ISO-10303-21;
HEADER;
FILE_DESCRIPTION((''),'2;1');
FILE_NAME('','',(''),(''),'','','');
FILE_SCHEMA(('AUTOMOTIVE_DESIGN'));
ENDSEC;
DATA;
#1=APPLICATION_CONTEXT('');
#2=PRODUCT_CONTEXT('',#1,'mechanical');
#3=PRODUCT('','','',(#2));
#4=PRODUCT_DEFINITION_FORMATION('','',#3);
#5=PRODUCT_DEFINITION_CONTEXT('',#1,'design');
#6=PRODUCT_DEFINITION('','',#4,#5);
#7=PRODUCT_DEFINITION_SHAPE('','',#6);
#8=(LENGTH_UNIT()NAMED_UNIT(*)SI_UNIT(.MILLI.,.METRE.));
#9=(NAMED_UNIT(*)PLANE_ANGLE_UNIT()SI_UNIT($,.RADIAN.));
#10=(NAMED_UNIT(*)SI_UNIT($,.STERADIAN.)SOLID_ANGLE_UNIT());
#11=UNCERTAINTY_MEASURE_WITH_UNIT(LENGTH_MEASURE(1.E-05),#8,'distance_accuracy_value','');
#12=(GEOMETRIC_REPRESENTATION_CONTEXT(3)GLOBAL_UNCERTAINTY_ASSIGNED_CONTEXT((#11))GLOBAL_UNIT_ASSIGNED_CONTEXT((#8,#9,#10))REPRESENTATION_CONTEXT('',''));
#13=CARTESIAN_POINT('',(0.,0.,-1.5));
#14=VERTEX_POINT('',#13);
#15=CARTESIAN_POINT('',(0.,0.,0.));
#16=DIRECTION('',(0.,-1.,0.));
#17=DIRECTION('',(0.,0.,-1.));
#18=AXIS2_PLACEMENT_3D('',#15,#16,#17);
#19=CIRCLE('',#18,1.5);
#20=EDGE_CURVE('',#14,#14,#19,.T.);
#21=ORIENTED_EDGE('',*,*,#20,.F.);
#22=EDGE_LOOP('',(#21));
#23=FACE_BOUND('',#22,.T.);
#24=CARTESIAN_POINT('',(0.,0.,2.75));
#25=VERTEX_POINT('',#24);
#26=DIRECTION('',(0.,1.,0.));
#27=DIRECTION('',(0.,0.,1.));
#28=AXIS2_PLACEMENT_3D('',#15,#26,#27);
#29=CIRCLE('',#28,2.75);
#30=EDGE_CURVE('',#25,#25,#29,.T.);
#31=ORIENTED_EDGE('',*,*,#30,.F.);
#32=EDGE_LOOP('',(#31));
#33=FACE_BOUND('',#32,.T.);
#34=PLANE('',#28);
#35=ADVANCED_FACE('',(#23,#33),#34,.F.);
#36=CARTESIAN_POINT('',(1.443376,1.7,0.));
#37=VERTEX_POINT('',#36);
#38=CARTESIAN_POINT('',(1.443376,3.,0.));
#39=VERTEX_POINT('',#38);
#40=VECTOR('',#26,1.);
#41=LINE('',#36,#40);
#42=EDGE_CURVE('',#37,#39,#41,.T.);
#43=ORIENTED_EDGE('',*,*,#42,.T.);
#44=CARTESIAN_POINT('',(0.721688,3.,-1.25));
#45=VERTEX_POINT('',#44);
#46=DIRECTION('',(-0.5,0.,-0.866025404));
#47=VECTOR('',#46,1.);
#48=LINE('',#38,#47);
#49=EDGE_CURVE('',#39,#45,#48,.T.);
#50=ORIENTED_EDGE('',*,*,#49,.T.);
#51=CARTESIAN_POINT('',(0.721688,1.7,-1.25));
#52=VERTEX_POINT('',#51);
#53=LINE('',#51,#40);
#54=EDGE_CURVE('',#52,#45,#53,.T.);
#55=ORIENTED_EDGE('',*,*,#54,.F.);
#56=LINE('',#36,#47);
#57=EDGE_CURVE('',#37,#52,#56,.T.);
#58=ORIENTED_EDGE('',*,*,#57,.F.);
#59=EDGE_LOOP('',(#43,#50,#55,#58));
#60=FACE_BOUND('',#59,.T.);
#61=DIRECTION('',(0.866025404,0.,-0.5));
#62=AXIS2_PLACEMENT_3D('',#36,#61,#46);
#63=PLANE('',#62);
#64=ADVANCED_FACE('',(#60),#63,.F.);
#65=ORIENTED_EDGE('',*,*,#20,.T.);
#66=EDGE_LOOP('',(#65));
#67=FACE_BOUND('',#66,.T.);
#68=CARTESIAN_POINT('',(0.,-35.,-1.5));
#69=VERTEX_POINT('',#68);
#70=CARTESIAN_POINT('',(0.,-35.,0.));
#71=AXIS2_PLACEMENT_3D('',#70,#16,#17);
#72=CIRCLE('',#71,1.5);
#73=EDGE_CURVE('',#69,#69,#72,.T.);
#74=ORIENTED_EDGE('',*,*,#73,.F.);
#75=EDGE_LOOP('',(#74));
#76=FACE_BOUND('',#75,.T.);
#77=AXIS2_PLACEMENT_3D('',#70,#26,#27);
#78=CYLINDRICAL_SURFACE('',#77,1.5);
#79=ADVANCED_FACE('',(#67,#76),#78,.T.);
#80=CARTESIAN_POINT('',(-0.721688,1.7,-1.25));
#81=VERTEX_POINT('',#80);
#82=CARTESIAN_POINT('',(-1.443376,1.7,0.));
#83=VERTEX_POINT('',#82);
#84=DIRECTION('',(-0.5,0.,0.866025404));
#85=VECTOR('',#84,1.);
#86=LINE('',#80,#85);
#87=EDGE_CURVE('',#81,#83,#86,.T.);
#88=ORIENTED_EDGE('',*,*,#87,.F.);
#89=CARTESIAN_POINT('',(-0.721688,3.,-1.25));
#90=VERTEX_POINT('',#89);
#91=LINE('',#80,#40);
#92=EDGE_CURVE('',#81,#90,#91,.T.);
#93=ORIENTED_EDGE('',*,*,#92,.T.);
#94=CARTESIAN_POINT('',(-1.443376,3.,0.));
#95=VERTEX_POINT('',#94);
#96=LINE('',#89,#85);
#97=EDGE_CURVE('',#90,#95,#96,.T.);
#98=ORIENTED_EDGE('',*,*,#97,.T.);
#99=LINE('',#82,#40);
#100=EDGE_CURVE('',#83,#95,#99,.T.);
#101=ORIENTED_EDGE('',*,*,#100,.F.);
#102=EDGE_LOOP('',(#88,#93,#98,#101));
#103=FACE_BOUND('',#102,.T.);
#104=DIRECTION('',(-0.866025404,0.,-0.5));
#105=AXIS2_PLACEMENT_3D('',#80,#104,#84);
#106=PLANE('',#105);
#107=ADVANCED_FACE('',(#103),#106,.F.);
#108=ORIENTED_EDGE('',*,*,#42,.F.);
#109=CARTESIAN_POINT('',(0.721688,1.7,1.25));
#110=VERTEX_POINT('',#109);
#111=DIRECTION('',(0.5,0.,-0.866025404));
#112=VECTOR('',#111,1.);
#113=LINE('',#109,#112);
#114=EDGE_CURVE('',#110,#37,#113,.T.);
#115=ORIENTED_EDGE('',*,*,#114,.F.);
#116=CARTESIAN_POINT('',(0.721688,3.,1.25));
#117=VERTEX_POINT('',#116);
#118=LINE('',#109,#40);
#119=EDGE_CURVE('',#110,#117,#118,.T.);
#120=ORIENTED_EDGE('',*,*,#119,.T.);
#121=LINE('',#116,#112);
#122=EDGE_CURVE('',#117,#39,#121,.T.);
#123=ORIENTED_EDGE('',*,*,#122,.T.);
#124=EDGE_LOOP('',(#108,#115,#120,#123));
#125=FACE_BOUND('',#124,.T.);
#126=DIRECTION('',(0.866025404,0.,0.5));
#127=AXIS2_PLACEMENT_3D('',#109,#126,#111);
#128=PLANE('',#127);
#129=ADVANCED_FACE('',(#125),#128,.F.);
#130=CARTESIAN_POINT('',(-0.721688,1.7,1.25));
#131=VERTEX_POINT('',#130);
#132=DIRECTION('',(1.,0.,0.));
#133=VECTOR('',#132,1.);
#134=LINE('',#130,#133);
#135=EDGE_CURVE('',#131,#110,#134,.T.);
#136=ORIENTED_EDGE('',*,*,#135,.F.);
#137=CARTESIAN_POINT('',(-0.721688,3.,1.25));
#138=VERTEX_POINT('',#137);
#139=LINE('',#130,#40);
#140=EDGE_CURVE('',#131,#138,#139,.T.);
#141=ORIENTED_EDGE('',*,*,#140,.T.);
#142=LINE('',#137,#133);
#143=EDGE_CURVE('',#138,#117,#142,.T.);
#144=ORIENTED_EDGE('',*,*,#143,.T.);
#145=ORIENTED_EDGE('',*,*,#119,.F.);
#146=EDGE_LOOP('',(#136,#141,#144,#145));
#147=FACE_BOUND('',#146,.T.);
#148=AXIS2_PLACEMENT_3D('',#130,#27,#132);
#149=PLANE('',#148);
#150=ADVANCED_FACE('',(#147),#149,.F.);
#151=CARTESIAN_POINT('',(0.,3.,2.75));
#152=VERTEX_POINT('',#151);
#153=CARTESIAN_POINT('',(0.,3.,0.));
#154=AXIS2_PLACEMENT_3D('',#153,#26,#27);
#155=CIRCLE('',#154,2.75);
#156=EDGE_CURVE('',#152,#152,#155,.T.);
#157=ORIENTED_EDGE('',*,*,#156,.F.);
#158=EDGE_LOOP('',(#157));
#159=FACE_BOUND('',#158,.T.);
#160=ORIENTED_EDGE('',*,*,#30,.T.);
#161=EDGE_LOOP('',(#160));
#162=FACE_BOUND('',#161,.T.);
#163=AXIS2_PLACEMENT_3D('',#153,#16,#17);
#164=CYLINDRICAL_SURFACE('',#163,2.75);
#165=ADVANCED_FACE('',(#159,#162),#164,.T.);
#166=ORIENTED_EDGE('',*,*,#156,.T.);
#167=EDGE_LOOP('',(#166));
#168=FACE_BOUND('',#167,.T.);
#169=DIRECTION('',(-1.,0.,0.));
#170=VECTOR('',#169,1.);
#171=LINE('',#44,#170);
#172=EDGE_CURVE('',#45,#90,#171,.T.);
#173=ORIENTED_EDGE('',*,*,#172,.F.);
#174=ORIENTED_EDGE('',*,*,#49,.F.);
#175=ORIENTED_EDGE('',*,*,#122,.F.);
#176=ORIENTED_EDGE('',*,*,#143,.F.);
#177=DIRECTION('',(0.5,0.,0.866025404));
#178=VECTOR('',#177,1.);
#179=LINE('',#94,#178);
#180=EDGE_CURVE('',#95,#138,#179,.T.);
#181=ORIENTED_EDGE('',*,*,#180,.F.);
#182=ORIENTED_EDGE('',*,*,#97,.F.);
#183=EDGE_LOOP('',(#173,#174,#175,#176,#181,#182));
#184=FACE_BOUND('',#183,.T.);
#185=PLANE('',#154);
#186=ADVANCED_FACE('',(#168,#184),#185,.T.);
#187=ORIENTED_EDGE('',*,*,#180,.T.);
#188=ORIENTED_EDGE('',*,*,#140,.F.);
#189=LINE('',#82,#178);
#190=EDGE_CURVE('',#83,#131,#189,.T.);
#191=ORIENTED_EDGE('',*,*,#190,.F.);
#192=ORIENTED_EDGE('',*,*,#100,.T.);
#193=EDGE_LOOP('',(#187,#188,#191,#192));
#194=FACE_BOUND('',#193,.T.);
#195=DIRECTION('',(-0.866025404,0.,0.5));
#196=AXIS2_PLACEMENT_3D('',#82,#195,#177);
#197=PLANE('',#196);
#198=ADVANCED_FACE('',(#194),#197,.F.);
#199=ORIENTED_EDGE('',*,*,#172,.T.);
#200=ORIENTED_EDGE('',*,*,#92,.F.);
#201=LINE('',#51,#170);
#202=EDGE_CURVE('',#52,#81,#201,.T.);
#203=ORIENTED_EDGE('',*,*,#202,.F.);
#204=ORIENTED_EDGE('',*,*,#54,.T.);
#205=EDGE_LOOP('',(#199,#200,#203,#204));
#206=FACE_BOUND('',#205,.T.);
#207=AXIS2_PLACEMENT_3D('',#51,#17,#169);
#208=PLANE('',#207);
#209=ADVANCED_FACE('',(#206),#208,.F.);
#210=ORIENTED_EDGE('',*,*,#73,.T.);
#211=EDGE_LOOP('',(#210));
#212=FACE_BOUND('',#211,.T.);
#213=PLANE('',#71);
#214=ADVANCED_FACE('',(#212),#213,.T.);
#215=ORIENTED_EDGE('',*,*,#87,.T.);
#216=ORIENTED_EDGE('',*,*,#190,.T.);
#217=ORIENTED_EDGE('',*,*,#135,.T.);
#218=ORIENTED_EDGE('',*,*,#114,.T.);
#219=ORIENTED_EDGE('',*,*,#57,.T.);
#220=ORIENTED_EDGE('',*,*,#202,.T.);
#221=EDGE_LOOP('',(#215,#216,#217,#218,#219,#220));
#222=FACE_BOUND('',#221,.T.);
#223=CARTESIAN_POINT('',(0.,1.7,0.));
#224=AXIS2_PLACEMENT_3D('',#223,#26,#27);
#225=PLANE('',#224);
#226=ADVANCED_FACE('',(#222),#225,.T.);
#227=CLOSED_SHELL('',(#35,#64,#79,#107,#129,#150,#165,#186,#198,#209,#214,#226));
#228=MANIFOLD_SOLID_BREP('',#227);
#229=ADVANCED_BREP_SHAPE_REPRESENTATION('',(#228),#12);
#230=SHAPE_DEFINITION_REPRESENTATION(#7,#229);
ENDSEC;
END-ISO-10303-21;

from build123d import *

# Parameters (mm, degrees)
SKETCH_1_R            = 2.75
EXTRUDE_248_DEPTH     = 3
CUT_EXTRUDE_378_DEPTH = 1.3
SKETCH_3_R            = 1.5
EXTRUDE_479_DEPTH     = 35


with BuildPart() as part:
    # 草图1 → Extrude 248 (new body)
    with BuildSketch(Plane(origin=(0, 0, 0), x_dir=(1, 0, 0), z_dir=(0, 1, 0))):
        Circle(SKETCH_1_R)
    extrude(amount=EXTRUDE_248_DEPTH)

    # 草图2 → Cut-Extrude 378 (cut)
    with BuildSketch(Plane(origin=(0, 3, 0), x_dir=(1, 0, 0), z_dir=(0, 1, 0))):
        Polygon((1.443375673, 0), (0.721687836, 1.25), (-0.721687836, 1.25), (-1.443375673, 0), (-0.721687836, -1.25), (0.721687836, -1.25), align=None)
    extrude(amount=-CUT_EXTRUDE_378_DEPTH, mode=Mode.SUBTRACT)

    # 草图3 → Extrude 479 (add)
    with BuildSketch(Plane.XZ):
        Circle(SKETCH_3_R)
    extrude(amount=EXTRUDE_479_DEPTH)


solid = part.part
